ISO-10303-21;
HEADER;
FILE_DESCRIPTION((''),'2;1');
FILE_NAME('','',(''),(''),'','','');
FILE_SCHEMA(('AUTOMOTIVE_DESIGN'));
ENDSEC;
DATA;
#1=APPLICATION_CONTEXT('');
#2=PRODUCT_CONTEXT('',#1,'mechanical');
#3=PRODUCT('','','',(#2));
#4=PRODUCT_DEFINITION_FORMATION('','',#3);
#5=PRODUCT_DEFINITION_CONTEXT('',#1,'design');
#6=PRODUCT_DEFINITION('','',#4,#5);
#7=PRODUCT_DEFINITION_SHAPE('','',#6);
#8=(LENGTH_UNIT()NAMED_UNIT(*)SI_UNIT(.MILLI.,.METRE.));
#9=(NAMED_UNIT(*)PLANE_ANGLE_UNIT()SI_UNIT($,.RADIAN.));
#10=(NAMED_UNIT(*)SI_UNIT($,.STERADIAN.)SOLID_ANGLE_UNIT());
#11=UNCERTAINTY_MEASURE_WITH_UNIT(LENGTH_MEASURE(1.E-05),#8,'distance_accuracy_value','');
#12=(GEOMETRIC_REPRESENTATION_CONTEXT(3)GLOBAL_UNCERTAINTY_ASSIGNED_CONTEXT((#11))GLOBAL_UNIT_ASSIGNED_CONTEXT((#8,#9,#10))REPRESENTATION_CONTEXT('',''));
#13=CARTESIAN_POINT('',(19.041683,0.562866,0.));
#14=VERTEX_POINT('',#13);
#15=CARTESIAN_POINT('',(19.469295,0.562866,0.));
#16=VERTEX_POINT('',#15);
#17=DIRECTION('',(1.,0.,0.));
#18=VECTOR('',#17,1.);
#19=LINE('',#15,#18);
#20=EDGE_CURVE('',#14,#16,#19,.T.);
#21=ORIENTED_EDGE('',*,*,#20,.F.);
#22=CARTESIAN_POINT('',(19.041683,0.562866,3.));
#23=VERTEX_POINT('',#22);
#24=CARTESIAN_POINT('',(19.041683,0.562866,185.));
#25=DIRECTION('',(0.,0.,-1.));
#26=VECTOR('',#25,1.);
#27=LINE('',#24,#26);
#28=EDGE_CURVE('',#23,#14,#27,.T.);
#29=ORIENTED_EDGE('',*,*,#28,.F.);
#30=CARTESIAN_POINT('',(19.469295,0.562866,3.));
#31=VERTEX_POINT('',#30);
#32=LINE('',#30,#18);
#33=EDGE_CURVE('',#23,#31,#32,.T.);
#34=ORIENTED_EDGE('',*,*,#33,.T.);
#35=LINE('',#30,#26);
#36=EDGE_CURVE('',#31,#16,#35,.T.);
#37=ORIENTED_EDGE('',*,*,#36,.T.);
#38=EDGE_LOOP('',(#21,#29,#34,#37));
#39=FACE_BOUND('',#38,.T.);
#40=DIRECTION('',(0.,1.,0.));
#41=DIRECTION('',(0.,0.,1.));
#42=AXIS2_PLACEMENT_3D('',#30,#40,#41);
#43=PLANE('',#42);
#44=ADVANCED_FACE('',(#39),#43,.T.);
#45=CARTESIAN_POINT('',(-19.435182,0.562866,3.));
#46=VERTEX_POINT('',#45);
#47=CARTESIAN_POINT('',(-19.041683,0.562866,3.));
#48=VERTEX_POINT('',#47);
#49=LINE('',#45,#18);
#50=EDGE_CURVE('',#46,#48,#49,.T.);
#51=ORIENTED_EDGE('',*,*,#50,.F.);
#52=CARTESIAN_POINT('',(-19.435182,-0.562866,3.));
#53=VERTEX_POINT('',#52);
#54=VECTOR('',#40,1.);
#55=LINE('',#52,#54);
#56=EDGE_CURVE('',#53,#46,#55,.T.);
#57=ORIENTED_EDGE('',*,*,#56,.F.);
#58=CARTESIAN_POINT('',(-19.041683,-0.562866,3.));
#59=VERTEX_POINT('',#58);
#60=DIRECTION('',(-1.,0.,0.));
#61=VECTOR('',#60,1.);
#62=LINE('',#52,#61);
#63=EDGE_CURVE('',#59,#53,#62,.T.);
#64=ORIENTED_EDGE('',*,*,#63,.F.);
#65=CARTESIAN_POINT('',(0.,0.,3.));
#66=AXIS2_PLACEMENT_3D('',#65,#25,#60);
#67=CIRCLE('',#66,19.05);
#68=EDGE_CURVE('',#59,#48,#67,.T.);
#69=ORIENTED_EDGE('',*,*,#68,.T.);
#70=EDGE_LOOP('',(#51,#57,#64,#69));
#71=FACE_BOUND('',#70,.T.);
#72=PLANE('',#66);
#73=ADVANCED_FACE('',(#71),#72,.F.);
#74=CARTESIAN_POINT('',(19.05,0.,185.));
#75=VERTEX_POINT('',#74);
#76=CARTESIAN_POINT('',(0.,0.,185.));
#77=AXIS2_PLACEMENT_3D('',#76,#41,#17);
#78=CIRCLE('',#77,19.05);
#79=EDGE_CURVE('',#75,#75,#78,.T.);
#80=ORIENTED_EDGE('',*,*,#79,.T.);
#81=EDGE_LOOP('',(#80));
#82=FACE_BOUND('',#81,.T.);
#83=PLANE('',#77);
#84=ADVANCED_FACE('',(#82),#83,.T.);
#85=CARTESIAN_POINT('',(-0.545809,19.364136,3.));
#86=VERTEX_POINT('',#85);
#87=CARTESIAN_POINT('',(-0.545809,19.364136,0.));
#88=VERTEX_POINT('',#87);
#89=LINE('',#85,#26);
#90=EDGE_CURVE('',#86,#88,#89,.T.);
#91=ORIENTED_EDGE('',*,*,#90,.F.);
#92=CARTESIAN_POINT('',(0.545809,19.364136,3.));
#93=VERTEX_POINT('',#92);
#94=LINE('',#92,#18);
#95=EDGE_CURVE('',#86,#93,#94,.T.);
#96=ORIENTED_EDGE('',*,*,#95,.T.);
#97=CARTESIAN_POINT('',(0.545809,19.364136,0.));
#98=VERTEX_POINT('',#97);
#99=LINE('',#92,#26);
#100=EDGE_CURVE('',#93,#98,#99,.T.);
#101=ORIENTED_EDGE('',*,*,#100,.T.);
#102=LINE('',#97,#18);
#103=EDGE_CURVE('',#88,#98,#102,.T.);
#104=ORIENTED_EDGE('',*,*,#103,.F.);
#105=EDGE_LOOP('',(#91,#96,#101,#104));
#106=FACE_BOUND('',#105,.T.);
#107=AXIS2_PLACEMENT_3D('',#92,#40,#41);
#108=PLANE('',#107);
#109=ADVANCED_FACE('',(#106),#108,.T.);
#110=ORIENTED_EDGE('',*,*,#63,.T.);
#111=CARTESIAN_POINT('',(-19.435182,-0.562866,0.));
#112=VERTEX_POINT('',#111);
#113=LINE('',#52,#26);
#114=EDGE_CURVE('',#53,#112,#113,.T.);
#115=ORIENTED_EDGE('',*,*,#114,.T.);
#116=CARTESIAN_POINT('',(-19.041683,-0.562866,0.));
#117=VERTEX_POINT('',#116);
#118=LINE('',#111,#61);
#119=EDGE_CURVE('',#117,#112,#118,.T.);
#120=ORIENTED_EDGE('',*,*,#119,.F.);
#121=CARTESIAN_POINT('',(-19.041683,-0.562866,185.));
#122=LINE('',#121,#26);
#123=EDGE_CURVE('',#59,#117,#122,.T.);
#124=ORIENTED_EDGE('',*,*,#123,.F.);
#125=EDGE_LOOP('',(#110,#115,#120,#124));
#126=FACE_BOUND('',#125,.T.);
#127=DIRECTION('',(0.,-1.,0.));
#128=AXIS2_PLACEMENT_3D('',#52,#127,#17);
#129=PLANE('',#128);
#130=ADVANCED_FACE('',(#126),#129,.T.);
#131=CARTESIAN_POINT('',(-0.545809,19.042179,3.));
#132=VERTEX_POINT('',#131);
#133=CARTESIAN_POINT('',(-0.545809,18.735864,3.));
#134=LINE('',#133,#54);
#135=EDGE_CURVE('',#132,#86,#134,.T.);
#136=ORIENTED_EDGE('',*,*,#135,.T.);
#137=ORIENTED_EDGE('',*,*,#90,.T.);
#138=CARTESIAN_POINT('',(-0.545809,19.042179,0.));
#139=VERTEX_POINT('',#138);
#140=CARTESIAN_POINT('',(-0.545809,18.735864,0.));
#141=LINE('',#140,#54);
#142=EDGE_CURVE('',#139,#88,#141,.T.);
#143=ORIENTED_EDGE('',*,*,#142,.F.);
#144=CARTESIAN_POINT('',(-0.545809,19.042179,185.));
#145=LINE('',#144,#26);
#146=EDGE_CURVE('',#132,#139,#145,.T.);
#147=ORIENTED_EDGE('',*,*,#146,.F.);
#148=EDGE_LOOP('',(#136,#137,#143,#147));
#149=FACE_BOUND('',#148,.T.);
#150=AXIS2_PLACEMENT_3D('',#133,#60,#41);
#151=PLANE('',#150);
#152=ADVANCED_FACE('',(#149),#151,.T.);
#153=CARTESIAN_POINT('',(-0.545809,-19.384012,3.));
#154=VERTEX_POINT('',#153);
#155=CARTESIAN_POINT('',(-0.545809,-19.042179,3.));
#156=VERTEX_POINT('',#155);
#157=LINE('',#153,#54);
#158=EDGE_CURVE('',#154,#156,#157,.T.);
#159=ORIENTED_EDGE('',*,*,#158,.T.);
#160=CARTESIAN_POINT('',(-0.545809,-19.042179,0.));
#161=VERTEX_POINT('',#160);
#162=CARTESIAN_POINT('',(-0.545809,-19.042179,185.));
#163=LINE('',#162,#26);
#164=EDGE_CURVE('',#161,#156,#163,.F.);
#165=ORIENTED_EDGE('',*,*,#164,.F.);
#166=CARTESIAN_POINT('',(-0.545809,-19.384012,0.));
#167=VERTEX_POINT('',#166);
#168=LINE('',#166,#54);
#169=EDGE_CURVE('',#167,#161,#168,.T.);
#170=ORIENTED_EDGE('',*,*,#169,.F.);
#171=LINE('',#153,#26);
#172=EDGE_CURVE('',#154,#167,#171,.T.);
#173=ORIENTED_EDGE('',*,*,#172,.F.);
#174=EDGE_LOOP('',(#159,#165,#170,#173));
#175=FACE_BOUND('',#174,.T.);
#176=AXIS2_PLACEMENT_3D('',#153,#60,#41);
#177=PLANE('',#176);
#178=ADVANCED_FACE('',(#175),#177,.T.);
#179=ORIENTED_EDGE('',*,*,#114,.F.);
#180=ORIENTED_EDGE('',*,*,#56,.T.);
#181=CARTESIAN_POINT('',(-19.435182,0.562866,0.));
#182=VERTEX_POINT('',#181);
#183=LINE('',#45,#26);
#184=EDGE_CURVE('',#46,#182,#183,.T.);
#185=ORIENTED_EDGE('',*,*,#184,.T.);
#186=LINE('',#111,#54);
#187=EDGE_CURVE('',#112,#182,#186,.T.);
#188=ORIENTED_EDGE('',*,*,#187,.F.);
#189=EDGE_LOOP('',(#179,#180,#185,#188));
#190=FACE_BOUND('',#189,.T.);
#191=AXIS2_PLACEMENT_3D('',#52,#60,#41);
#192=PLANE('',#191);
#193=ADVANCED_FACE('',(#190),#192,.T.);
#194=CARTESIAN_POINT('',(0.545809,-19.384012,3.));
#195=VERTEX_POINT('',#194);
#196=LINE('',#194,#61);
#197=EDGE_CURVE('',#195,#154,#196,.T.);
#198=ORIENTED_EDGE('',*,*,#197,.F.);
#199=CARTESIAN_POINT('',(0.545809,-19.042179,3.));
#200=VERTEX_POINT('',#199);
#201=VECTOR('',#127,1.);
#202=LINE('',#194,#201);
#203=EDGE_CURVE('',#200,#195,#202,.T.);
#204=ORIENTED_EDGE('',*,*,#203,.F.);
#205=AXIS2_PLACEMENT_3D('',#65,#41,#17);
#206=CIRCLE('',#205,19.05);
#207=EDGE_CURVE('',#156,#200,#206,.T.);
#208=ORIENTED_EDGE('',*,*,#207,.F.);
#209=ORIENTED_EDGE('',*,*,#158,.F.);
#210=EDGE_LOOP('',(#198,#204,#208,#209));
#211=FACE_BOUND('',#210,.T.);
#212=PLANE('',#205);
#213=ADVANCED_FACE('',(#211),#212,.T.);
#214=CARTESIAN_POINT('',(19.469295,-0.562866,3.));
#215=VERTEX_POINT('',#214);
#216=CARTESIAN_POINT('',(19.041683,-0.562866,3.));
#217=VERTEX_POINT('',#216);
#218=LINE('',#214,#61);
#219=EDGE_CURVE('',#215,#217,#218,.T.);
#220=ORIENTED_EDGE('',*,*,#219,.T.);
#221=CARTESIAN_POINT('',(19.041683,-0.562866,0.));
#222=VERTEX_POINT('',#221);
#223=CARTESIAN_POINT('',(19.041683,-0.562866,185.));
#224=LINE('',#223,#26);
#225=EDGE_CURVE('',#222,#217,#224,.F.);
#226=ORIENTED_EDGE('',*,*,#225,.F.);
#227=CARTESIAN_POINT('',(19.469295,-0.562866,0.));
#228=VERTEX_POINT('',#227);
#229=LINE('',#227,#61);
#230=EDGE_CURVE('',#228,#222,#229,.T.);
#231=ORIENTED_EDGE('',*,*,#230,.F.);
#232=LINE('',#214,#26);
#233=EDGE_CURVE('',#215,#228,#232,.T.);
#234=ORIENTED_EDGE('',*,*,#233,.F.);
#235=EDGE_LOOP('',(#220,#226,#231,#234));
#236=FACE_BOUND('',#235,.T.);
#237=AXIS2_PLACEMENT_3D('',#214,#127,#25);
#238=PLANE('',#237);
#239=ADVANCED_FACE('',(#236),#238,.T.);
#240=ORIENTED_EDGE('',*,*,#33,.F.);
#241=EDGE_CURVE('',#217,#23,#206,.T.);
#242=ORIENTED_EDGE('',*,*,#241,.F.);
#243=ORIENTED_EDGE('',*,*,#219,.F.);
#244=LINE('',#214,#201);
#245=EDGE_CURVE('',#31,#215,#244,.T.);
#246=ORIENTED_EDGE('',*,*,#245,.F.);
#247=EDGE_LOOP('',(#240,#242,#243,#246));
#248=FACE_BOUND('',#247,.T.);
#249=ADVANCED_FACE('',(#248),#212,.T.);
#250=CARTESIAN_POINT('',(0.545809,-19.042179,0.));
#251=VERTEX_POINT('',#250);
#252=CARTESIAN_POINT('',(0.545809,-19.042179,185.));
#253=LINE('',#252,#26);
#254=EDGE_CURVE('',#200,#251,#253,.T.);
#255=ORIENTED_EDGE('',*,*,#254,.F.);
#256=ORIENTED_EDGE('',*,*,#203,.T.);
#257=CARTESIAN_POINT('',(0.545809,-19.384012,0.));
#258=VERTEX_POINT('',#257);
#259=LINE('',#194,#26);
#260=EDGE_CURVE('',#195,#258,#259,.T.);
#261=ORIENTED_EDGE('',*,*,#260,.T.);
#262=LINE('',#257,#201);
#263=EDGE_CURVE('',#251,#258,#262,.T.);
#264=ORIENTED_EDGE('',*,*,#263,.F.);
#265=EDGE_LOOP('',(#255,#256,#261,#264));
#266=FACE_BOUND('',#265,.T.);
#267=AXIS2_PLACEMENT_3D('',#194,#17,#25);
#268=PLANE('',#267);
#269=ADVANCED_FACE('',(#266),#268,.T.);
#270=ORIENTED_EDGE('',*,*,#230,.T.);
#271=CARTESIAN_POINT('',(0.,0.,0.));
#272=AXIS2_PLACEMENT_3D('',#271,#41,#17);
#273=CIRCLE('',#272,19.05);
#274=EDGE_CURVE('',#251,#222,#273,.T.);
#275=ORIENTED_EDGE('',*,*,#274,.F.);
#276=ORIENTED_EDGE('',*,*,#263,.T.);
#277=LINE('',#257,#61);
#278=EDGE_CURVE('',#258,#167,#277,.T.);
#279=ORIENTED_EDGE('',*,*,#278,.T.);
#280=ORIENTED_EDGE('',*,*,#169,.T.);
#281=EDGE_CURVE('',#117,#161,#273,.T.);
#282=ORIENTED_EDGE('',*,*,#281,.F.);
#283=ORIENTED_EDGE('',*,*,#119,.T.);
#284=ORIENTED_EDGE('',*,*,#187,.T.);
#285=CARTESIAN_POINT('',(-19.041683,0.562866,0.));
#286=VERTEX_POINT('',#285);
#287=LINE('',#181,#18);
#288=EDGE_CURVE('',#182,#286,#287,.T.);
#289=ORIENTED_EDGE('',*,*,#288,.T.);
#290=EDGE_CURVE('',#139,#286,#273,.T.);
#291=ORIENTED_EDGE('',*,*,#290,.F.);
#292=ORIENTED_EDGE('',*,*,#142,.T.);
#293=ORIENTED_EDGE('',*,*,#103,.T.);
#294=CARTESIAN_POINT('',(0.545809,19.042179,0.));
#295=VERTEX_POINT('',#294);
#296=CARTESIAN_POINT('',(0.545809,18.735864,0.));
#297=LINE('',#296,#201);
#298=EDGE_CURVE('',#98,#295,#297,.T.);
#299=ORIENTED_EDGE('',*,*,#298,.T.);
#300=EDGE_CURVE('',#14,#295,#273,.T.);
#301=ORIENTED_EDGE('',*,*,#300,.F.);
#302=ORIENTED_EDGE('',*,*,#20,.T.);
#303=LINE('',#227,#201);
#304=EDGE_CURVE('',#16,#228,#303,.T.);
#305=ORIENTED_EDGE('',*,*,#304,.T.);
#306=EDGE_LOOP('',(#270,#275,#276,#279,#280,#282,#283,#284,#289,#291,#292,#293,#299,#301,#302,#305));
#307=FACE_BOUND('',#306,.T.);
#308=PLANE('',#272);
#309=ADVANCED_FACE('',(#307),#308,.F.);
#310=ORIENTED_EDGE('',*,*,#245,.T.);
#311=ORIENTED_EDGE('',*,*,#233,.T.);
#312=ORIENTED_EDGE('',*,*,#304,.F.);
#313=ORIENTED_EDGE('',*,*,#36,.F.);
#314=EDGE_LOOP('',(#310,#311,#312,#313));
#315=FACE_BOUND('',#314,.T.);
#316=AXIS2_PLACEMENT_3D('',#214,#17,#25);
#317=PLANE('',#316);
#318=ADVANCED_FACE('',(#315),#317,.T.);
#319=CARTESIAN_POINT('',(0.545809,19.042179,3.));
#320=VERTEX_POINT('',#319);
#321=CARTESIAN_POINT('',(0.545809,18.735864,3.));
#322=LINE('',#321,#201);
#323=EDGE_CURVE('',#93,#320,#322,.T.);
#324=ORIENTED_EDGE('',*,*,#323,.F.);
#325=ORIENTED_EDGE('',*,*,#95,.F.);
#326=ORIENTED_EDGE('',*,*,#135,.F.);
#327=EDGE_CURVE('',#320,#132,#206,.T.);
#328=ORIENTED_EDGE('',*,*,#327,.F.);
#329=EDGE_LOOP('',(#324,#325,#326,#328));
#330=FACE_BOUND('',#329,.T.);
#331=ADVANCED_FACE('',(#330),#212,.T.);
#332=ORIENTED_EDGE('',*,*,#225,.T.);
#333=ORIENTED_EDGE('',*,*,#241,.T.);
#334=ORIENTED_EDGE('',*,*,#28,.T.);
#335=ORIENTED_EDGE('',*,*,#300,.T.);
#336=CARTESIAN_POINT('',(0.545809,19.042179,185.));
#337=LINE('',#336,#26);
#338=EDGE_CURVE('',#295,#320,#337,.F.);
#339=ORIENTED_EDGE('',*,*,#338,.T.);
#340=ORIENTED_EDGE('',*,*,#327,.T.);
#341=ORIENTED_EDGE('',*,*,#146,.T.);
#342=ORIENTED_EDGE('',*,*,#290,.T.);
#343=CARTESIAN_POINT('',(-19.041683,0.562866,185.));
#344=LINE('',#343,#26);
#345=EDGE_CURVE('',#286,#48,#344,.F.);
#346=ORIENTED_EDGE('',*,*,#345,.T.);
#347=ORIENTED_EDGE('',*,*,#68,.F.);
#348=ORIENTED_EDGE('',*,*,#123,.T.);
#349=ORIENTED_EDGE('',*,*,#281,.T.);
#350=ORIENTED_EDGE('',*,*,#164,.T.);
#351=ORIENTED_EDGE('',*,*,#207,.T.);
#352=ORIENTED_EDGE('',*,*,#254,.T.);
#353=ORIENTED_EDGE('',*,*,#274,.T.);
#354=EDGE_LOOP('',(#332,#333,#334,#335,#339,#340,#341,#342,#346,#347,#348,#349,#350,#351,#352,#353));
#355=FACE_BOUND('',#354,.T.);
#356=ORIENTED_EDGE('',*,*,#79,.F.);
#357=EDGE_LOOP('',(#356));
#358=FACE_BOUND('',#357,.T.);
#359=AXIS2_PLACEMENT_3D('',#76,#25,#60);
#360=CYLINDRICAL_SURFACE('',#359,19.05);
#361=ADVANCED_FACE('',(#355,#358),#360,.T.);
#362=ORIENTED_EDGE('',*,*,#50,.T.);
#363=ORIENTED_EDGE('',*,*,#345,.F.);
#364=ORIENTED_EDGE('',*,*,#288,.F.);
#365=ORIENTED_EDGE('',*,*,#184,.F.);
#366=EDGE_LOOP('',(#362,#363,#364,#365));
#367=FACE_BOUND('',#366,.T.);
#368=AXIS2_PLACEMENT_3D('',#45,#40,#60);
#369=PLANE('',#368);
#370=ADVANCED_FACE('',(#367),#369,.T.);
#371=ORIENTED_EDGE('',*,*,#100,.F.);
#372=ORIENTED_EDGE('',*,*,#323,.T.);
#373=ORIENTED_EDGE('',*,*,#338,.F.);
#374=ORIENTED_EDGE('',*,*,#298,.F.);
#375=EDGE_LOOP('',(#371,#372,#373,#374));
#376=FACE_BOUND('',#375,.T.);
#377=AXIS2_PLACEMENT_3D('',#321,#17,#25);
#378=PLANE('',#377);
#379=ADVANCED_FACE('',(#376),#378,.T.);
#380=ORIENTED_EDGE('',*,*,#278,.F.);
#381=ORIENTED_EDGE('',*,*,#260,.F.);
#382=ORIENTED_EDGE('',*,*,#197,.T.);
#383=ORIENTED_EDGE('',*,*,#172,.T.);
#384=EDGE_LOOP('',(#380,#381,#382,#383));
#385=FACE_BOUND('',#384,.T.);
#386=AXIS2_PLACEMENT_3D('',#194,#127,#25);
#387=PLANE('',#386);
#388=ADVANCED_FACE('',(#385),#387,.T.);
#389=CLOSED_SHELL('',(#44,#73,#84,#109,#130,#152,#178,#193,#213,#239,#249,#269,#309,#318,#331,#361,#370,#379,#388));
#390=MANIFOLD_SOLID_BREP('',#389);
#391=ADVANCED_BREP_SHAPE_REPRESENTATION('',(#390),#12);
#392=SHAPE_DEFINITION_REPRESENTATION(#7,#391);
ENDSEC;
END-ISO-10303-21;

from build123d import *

# Parameters (mm, degrees)
CROQUIS1_R              = 19.05
SALIENTE_EXTRUIR1_DEPTH = 185
CROQUIS2_W              = 0.838589864
CROQUIS2_H              = 1.125731298
CROQUIS2_W_2            = 0.770363726
CROQUIS2_W_3            = 1.091618228
CROQUIS2_H_2            = 0.62827213
CROQUIS2_H_3            = 0.668024516
SALIENTE_EXTRUIR2_DEPTH = 3


with BuildPart() as part:
    # Croquis1 → Saliente-Extruir1 (new body)
    with BuildSketch(Plane.XY):
        Circle(CROQUIS1_R)
    extrude(amount=SALIENTE_EXTRUIR1_DEPTH)

    # Croquis2 → Saliente-Extruir2 (add)
    with BuildSketch(Plane(origin=(0, 0, 0), x_dir=(-1, 0, 0), z_dir=(0, 0, -1))):
        with Locations((-19.05, 0)):
            Rectangle(CROQUIS2_W, CROQUIS2_H)
        with Locations((19.05, 0)):
            Rectangle(CROQUIS2_W_2, CROQUIS2_H)
        with Locations((0, 19.05)):
            Rectangle(CROQUIS2_W_3, CROQUIS2_H_2)
        with Locations((0, -19.05)):
            Rectangle(CROQUIS2_W_3, CROQUIS2_H_3)
    extrude(amount=-SALIENTE_EXTRUIR2_DEPTH)


solid = part.part
